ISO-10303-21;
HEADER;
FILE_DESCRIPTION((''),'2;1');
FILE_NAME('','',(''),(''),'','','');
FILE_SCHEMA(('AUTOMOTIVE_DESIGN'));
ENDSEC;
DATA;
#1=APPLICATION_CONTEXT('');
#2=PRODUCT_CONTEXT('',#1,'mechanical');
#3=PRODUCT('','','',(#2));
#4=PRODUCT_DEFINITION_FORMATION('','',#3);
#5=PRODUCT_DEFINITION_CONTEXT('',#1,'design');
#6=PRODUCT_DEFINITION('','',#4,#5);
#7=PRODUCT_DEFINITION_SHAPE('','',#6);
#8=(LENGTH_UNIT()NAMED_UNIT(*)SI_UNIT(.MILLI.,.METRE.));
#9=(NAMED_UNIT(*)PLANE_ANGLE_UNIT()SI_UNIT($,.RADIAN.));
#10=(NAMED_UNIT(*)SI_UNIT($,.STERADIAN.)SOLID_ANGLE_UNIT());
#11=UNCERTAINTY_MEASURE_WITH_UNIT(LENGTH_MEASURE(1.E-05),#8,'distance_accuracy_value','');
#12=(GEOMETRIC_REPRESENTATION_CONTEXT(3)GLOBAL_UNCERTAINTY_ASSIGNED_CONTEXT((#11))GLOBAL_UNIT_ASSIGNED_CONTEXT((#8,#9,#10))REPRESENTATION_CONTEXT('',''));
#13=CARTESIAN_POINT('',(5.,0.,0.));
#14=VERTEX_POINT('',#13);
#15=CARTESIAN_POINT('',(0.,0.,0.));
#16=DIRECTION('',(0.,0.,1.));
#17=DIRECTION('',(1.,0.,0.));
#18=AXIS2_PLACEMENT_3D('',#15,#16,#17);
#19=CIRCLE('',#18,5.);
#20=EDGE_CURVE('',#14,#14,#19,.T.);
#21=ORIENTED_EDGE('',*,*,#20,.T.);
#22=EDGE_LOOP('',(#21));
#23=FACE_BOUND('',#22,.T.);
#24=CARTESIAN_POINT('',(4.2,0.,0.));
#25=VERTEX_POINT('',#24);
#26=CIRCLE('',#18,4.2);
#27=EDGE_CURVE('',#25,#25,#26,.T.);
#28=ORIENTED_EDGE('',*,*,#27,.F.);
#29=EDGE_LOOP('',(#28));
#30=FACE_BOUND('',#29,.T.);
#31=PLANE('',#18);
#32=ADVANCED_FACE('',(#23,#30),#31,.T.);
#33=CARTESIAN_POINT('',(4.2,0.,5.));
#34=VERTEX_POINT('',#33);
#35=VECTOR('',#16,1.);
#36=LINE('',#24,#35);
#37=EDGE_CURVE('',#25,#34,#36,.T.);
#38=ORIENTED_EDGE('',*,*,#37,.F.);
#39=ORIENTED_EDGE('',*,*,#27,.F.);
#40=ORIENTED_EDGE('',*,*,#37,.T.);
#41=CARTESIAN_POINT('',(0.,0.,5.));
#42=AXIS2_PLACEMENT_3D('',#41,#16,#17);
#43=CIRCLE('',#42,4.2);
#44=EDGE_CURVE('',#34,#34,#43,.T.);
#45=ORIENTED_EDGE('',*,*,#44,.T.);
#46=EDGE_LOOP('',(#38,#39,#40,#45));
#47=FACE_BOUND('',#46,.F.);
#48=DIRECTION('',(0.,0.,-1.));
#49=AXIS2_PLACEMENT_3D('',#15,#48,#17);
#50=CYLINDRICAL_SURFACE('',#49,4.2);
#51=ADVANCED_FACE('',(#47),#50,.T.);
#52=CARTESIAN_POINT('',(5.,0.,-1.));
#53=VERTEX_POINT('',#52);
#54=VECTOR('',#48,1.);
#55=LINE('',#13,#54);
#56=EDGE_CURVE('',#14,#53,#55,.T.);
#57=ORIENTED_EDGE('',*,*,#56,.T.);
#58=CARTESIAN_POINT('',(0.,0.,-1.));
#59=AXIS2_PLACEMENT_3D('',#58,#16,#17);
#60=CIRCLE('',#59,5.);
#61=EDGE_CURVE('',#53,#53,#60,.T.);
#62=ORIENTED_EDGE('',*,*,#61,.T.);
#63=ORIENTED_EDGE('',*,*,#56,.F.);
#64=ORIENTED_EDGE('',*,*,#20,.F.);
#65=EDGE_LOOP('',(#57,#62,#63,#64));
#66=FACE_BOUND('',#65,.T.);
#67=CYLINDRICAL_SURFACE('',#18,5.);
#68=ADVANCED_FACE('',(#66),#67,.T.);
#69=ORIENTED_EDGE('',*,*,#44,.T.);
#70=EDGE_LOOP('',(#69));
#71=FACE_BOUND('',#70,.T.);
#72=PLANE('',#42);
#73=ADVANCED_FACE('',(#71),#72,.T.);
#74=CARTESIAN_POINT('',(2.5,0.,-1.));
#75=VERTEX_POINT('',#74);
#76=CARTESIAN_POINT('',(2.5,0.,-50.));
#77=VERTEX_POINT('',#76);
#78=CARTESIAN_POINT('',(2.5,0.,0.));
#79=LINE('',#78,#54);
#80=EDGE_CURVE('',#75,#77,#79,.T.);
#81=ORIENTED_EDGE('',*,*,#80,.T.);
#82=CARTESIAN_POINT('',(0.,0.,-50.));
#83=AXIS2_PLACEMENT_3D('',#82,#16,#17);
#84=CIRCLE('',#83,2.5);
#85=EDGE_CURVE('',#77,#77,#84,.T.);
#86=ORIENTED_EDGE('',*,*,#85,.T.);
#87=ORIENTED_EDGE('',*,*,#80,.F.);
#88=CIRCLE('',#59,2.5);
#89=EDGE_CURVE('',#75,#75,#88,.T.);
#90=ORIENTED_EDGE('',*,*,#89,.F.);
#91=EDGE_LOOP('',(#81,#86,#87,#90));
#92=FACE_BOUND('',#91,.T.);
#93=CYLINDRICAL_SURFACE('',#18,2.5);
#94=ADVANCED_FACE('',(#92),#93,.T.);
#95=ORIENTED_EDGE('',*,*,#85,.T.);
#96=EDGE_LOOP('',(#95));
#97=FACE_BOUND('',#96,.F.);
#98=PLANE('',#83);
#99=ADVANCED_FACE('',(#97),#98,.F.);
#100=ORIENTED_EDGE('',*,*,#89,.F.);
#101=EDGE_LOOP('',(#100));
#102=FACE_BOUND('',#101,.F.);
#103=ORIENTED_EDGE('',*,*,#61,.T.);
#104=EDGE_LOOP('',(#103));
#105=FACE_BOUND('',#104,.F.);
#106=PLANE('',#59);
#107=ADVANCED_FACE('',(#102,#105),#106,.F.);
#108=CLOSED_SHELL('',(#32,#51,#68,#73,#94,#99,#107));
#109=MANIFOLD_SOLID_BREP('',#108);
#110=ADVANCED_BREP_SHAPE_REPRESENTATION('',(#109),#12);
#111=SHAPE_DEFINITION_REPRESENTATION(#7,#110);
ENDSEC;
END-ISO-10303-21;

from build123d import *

# Parameters (mm, degrees)
F0_R     = 2.5
F1_DEPTH = 50
F2_R     = 4.2
F3_DEPTH = 5
F4_R     = 5
F5_DEPTH = 1


with BuildPart() as f1:
    # F0 (on Top) → F1 (new body)
    with BuildSketch(Plane.XY):
        Circle(F0_R)
    extrude(amount=-F1_DEPTH)

    # F2 (on Top) → F3 (join)
    with BuildSketch(Plane.XY):
        Circle(F2_R)
    extrude(amount=F3_DEPTH)

    # F4 (on Top) → F5 (join)
    with BuildSketch(Plane.XY):
        Circle(F4_R)
    extrude(amount=-F5_DEPTH)


solid = f1.part
